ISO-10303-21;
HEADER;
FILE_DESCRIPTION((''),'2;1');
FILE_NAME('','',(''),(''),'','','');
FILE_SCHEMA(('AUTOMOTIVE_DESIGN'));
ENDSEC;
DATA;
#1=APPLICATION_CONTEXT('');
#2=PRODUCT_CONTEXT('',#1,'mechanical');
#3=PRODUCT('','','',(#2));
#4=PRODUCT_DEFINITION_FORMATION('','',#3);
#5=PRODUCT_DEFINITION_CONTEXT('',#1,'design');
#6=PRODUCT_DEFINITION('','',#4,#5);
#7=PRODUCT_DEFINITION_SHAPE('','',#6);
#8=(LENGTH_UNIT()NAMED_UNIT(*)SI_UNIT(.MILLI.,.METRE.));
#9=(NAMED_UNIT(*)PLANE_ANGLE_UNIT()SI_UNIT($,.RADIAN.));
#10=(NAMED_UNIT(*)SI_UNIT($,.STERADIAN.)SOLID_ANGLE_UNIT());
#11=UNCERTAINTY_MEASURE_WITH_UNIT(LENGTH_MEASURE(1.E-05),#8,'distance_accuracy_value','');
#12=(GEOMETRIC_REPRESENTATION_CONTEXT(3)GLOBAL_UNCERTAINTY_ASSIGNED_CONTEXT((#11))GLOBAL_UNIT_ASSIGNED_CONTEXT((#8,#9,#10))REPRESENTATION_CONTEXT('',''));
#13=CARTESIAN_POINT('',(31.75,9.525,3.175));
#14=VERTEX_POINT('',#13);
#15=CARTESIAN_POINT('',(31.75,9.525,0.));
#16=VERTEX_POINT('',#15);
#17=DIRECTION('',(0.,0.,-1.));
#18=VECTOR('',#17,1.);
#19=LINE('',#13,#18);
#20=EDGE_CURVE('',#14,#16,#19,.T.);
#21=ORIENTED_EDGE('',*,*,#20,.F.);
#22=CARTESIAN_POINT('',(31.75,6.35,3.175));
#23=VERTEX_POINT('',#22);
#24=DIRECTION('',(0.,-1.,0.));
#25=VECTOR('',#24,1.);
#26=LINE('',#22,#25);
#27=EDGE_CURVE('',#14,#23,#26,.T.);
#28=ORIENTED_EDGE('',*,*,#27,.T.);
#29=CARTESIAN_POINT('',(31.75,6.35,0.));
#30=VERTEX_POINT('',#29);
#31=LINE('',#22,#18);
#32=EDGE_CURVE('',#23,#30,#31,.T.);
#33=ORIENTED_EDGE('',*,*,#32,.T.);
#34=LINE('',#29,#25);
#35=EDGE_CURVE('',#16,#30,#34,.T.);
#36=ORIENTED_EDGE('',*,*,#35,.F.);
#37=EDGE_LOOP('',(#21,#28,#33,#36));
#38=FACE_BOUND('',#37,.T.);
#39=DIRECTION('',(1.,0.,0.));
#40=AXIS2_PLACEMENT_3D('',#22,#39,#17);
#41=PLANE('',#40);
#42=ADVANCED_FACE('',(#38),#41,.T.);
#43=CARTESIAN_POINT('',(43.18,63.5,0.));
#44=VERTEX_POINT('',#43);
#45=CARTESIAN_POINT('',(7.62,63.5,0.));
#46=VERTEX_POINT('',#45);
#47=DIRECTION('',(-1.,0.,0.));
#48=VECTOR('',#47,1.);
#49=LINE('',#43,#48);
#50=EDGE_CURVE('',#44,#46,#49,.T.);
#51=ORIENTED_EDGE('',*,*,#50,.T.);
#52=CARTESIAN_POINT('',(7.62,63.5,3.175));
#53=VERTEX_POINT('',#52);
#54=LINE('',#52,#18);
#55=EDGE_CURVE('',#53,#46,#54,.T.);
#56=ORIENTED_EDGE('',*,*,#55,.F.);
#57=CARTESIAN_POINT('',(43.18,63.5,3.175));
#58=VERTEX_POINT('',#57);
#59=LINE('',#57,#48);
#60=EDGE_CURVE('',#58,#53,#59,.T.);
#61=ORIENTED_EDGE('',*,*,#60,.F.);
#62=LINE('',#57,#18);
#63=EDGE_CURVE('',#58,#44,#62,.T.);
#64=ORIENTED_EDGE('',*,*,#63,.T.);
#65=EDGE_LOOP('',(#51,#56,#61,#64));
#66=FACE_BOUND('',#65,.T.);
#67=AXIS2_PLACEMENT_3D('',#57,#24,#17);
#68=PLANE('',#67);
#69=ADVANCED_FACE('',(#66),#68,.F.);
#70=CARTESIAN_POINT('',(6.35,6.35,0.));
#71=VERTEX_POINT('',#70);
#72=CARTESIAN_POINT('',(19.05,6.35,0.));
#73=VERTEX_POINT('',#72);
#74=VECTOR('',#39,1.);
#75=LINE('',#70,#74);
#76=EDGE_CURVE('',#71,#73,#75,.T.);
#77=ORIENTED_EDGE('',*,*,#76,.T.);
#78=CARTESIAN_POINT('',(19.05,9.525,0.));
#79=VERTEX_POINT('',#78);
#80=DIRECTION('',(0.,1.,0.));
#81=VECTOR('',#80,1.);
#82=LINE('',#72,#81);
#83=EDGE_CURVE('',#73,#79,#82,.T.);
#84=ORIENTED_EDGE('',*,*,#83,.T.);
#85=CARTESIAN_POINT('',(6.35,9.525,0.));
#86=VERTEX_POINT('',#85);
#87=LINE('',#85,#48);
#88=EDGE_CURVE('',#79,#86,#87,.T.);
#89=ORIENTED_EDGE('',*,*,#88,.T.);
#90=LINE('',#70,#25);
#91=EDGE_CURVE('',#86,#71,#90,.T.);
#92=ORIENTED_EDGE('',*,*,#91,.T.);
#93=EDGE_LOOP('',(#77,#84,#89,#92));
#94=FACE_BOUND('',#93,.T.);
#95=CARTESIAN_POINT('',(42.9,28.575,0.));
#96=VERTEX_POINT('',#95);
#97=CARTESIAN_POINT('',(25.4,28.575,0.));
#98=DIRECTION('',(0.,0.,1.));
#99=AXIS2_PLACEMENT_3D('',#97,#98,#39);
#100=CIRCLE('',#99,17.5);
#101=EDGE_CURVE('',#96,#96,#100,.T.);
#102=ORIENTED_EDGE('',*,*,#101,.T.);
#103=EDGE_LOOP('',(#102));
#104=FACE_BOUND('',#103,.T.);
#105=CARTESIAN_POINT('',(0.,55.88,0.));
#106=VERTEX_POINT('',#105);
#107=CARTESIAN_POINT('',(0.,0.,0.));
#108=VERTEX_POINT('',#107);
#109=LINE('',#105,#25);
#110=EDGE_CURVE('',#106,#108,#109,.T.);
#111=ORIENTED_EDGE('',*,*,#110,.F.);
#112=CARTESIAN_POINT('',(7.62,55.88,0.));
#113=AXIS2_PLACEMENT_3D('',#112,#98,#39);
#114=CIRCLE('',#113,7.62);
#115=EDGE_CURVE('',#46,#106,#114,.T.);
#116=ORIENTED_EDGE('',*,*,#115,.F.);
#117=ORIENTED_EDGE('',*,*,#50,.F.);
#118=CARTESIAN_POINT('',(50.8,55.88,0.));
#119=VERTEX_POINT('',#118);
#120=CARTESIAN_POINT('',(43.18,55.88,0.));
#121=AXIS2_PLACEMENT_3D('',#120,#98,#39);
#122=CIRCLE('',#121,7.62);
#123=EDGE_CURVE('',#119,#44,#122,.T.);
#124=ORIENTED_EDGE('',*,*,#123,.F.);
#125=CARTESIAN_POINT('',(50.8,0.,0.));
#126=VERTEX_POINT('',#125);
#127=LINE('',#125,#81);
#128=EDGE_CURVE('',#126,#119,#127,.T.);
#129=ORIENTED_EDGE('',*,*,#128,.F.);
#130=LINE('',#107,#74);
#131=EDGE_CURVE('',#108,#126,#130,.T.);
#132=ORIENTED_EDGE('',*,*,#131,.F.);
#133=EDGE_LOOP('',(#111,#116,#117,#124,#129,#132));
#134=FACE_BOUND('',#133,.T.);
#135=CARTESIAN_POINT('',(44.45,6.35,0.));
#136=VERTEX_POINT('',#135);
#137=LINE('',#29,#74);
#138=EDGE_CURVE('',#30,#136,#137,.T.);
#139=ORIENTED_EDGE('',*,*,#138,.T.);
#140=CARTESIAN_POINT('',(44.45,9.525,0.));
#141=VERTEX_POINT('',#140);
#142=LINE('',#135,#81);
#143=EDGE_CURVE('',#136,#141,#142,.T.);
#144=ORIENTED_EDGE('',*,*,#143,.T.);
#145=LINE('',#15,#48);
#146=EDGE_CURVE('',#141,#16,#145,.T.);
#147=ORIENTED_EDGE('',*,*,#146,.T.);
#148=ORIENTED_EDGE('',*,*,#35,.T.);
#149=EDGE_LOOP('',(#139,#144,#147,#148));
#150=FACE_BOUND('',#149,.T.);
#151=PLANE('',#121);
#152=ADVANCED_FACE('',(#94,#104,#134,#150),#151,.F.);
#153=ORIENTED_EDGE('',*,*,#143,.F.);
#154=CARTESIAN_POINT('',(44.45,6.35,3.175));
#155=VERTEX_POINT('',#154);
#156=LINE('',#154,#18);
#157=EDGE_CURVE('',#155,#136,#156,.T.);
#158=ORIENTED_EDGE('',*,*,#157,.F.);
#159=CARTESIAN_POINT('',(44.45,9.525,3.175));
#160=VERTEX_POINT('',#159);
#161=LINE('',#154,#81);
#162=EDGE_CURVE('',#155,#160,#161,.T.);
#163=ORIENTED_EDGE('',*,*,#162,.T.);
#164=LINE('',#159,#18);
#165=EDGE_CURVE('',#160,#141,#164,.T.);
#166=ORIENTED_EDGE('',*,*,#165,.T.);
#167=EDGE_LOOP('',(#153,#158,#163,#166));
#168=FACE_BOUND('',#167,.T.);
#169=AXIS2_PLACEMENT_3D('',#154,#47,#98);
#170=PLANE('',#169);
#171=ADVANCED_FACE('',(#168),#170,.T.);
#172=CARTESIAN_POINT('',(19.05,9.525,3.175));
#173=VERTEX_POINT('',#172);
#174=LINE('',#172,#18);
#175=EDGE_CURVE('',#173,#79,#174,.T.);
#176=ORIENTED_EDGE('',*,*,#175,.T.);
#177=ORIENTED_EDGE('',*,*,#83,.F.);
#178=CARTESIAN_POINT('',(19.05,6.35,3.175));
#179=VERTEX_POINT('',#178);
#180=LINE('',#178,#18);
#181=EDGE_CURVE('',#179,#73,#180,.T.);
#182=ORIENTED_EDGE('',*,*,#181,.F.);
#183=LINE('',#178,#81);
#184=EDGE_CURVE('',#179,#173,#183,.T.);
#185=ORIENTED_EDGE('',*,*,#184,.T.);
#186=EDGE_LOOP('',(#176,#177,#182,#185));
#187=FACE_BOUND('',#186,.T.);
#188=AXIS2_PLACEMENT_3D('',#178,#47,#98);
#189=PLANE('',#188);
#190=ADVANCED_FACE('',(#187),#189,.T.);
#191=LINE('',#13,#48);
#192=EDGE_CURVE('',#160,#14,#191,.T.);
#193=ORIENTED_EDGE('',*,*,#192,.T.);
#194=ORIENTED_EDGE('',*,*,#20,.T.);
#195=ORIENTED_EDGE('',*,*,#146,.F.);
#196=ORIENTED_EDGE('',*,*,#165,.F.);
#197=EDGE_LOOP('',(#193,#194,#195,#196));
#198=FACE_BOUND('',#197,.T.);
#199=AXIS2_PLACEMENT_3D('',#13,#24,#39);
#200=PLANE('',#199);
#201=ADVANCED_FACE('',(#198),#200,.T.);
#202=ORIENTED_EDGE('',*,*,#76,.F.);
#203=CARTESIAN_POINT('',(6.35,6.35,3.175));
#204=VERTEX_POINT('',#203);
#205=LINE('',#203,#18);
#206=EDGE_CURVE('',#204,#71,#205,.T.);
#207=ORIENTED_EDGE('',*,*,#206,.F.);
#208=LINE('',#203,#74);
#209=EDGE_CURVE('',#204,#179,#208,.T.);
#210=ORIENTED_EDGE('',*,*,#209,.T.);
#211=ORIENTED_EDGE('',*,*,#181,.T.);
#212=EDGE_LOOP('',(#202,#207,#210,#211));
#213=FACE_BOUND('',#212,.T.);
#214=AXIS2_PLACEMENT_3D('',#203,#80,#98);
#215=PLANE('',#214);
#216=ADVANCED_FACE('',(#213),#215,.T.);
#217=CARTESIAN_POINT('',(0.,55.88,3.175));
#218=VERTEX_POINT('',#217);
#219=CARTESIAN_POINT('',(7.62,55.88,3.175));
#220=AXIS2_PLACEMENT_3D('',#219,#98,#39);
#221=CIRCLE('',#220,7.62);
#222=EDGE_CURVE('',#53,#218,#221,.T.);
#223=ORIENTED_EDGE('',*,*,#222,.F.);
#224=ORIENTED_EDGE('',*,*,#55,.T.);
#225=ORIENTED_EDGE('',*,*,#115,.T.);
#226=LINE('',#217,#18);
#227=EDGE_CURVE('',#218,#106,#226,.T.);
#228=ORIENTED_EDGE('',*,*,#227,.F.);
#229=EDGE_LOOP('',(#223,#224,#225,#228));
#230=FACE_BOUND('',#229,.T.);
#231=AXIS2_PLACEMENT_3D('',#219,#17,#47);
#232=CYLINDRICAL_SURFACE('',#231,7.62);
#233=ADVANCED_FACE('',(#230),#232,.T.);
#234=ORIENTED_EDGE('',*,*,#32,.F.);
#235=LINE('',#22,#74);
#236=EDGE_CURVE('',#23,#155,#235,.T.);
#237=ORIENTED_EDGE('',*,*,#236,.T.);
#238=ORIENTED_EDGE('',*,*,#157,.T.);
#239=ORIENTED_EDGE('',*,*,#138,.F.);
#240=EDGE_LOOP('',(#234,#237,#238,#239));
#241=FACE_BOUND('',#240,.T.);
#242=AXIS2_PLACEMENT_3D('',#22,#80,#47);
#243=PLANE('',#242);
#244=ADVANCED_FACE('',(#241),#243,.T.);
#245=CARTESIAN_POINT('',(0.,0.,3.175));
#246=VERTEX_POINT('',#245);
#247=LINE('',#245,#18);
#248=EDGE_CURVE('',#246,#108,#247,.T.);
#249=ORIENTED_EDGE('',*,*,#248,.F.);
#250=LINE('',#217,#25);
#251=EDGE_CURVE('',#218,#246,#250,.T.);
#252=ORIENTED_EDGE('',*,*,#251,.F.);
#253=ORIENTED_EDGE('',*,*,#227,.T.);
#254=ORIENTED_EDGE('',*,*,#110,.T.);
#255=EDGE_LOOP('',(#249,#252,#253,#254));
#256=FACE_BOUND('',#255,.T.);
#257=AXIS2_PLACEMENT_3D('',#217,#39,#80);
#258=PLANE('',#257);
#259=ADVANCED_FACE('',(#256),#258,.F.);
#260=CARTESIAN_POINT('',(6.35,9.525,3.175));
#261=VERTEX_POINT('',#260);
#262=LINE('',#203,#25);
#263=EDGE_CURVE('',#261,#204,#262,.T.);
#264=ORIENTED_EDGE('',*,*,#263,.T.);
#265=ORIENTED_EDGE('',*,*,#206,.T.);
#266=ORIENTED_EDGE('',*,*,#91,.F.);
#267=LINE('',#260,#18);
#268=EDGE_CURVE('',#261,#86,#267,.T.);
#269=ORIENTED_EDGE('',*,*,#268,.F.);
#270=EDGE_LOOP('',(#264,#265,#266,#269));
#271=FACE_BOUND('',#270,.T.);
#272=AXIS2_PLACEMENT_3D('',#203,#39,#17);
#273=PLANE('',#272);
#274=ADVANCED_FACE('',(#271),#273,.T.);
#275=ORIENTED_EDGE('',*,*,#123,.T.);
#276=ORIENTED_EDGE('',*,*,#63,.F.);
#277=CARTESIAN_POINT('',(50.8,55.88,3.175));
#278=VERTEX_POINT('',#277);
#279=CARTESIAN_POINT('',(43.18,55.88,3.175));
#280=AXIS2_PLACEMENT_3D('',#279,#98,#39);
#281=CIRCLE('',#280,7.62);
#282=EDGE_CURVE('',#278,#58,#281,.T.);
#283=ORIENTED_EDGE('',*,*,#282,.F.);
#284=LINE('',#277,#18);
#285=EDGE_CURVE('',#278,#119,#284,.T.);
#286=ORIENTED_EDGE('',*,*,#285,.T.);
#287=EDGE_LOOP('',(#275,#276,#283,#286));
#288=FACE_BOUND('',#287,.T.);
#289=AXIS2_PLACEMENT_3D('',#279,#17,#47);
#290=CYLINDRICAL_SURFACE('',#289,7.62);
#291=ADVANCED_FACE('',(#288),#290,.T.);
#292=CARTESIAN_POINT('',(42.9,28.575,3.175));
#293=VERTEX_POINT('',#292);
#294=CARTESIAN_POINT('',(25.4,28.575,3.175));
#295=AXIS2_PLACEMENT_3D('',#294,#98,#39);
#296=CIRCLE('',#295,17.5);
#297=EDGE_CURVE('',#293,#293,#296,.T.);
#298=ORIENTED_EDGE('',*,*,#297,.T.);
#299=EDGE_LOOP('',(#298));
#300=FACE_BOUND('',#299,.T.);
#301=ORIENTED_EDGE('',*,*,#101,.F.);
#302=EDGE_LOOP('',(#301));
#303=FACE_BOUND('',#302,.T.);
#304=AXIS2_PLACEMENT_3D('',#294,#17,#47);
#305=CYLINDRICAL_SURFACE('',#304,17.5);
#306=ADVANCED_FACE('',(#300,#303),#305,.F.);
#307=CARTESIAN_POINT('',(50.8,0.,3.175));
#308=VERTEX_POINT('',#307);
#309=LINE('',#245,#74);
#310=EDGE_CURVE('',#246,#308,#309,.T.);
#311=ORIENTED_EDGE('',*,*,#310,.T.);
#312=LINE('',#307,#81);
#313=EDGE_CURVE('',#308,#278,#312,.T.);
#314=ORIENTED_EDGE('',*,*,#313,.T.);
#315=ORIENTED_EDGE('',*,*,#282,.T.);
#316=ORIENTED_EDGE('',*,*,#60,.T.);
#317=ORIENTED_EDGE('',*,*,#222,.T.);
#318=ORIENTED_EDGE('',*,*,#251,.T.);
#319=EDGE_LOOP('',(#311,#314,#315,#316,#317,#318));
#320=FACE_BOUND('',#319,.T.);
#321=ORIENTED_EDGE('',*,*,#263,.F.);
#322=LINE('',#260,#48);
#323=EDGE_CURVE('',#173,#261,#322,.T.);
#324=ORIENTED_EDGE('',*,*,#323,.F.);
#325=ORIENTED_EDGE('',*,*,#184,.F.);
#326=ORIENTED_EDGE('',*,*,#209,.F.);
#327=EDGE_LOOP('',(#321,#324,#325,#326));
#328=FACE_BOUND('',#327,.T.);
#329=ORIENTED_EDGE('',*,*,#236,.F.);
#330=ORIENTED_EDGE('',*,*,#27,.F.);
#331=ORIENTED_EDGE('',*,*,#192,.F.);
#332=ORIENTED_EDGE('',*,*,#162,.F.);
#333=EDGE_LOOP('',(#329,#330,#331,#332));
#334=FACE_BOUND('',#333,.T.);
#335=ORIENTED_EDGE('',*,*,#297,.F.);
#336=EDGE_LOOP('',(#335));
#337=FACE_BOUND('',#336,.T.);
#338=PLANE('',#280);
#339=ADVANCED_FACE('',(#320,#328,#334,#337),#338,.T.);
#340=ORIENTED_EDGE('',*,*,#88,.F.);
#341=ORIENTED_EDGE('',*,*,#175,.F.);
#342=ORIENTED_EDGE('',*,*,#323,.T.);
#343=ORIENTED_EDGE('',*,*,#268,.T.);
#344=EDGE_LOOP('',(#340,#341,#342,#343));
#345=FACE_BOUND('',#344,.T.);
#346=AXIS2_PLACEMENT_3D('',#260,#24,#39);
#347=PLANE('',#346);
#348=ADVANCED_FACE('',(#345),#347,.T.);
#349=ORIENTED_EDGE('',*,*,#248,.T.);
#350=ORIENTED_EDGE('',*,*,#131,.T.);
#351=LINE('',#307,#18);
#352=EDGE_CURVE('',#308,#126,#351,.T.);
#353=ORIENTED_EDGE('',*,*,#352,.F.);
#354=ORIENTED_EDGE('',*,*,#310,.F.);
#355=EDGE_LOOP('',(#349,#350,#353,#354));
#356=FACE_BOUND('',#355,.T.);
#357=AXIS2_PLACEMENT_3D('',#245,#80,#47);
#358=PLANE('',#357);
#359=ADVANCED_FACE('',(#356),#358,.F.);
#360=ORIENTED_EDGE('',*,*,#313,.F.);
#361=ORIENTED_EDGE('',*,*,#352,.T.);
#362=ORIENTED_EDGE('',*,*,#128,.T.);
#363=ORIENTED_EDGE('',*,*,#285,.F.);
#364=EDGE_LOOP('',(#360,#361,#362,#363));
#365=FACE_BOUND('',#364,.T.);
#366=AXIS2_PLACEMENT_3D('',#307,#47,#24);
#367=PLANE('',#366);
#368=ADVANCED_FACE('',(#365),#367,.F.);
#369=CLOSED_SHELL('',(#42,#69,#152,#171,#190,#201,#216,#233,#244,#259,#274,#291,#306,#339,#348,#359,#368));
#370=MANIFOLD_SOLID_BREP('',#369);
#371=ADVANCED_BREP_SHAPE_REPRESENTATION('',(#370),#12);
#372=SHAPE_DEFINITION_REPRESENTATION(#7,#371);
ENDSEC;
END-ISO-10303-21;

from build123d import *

# Parameters (mm, degrees)
SKETCH1_R           = 17.5
SKETCH1_W           = 12.7
SKETCH1_H           = 3.175
BOSS_EXTRUDE1_DEPTH = 3.175


with BuildPart() as part:
    # Sketch1 → Boss-Extrude1 (new body)
    with BuildSketch(Plane.XY):
        with BuildLine():
            Line((0, 0), (50.8, 0))
            Line((50.8, 0), (50.8, 55.88))
            ThreePointArc((50.8, 55.88), (48.568153673, 61.268153673), (43.18, 63.5))
            Line((43.18, 63.5), (7.62, 63.5))
            ThreePointArc((7.62, 63.5), (2.231846327, 61.268153673), (0, 55.88))
            Line((0, 55.88), (0, 0))
        make_face()
        with Locations((25.4, 28.575)):
            Circle(SKETCH1_R, mode=Mode.SUBTRACT)
        with Locations((12.7, 7.9375)):
            Rectangle(SKETCH1_W, SKETCH1_H, mode=Mode.SUBTRACT)
        with Locations((38.1, 7.9375)):
            Rectangle(SKETCH1_W, SKETCH1_H, mode=Mode.SUBTRACT)
    extrude(amount=BOSS_EXTRUDE1_DEPTH)


solid = part.part
